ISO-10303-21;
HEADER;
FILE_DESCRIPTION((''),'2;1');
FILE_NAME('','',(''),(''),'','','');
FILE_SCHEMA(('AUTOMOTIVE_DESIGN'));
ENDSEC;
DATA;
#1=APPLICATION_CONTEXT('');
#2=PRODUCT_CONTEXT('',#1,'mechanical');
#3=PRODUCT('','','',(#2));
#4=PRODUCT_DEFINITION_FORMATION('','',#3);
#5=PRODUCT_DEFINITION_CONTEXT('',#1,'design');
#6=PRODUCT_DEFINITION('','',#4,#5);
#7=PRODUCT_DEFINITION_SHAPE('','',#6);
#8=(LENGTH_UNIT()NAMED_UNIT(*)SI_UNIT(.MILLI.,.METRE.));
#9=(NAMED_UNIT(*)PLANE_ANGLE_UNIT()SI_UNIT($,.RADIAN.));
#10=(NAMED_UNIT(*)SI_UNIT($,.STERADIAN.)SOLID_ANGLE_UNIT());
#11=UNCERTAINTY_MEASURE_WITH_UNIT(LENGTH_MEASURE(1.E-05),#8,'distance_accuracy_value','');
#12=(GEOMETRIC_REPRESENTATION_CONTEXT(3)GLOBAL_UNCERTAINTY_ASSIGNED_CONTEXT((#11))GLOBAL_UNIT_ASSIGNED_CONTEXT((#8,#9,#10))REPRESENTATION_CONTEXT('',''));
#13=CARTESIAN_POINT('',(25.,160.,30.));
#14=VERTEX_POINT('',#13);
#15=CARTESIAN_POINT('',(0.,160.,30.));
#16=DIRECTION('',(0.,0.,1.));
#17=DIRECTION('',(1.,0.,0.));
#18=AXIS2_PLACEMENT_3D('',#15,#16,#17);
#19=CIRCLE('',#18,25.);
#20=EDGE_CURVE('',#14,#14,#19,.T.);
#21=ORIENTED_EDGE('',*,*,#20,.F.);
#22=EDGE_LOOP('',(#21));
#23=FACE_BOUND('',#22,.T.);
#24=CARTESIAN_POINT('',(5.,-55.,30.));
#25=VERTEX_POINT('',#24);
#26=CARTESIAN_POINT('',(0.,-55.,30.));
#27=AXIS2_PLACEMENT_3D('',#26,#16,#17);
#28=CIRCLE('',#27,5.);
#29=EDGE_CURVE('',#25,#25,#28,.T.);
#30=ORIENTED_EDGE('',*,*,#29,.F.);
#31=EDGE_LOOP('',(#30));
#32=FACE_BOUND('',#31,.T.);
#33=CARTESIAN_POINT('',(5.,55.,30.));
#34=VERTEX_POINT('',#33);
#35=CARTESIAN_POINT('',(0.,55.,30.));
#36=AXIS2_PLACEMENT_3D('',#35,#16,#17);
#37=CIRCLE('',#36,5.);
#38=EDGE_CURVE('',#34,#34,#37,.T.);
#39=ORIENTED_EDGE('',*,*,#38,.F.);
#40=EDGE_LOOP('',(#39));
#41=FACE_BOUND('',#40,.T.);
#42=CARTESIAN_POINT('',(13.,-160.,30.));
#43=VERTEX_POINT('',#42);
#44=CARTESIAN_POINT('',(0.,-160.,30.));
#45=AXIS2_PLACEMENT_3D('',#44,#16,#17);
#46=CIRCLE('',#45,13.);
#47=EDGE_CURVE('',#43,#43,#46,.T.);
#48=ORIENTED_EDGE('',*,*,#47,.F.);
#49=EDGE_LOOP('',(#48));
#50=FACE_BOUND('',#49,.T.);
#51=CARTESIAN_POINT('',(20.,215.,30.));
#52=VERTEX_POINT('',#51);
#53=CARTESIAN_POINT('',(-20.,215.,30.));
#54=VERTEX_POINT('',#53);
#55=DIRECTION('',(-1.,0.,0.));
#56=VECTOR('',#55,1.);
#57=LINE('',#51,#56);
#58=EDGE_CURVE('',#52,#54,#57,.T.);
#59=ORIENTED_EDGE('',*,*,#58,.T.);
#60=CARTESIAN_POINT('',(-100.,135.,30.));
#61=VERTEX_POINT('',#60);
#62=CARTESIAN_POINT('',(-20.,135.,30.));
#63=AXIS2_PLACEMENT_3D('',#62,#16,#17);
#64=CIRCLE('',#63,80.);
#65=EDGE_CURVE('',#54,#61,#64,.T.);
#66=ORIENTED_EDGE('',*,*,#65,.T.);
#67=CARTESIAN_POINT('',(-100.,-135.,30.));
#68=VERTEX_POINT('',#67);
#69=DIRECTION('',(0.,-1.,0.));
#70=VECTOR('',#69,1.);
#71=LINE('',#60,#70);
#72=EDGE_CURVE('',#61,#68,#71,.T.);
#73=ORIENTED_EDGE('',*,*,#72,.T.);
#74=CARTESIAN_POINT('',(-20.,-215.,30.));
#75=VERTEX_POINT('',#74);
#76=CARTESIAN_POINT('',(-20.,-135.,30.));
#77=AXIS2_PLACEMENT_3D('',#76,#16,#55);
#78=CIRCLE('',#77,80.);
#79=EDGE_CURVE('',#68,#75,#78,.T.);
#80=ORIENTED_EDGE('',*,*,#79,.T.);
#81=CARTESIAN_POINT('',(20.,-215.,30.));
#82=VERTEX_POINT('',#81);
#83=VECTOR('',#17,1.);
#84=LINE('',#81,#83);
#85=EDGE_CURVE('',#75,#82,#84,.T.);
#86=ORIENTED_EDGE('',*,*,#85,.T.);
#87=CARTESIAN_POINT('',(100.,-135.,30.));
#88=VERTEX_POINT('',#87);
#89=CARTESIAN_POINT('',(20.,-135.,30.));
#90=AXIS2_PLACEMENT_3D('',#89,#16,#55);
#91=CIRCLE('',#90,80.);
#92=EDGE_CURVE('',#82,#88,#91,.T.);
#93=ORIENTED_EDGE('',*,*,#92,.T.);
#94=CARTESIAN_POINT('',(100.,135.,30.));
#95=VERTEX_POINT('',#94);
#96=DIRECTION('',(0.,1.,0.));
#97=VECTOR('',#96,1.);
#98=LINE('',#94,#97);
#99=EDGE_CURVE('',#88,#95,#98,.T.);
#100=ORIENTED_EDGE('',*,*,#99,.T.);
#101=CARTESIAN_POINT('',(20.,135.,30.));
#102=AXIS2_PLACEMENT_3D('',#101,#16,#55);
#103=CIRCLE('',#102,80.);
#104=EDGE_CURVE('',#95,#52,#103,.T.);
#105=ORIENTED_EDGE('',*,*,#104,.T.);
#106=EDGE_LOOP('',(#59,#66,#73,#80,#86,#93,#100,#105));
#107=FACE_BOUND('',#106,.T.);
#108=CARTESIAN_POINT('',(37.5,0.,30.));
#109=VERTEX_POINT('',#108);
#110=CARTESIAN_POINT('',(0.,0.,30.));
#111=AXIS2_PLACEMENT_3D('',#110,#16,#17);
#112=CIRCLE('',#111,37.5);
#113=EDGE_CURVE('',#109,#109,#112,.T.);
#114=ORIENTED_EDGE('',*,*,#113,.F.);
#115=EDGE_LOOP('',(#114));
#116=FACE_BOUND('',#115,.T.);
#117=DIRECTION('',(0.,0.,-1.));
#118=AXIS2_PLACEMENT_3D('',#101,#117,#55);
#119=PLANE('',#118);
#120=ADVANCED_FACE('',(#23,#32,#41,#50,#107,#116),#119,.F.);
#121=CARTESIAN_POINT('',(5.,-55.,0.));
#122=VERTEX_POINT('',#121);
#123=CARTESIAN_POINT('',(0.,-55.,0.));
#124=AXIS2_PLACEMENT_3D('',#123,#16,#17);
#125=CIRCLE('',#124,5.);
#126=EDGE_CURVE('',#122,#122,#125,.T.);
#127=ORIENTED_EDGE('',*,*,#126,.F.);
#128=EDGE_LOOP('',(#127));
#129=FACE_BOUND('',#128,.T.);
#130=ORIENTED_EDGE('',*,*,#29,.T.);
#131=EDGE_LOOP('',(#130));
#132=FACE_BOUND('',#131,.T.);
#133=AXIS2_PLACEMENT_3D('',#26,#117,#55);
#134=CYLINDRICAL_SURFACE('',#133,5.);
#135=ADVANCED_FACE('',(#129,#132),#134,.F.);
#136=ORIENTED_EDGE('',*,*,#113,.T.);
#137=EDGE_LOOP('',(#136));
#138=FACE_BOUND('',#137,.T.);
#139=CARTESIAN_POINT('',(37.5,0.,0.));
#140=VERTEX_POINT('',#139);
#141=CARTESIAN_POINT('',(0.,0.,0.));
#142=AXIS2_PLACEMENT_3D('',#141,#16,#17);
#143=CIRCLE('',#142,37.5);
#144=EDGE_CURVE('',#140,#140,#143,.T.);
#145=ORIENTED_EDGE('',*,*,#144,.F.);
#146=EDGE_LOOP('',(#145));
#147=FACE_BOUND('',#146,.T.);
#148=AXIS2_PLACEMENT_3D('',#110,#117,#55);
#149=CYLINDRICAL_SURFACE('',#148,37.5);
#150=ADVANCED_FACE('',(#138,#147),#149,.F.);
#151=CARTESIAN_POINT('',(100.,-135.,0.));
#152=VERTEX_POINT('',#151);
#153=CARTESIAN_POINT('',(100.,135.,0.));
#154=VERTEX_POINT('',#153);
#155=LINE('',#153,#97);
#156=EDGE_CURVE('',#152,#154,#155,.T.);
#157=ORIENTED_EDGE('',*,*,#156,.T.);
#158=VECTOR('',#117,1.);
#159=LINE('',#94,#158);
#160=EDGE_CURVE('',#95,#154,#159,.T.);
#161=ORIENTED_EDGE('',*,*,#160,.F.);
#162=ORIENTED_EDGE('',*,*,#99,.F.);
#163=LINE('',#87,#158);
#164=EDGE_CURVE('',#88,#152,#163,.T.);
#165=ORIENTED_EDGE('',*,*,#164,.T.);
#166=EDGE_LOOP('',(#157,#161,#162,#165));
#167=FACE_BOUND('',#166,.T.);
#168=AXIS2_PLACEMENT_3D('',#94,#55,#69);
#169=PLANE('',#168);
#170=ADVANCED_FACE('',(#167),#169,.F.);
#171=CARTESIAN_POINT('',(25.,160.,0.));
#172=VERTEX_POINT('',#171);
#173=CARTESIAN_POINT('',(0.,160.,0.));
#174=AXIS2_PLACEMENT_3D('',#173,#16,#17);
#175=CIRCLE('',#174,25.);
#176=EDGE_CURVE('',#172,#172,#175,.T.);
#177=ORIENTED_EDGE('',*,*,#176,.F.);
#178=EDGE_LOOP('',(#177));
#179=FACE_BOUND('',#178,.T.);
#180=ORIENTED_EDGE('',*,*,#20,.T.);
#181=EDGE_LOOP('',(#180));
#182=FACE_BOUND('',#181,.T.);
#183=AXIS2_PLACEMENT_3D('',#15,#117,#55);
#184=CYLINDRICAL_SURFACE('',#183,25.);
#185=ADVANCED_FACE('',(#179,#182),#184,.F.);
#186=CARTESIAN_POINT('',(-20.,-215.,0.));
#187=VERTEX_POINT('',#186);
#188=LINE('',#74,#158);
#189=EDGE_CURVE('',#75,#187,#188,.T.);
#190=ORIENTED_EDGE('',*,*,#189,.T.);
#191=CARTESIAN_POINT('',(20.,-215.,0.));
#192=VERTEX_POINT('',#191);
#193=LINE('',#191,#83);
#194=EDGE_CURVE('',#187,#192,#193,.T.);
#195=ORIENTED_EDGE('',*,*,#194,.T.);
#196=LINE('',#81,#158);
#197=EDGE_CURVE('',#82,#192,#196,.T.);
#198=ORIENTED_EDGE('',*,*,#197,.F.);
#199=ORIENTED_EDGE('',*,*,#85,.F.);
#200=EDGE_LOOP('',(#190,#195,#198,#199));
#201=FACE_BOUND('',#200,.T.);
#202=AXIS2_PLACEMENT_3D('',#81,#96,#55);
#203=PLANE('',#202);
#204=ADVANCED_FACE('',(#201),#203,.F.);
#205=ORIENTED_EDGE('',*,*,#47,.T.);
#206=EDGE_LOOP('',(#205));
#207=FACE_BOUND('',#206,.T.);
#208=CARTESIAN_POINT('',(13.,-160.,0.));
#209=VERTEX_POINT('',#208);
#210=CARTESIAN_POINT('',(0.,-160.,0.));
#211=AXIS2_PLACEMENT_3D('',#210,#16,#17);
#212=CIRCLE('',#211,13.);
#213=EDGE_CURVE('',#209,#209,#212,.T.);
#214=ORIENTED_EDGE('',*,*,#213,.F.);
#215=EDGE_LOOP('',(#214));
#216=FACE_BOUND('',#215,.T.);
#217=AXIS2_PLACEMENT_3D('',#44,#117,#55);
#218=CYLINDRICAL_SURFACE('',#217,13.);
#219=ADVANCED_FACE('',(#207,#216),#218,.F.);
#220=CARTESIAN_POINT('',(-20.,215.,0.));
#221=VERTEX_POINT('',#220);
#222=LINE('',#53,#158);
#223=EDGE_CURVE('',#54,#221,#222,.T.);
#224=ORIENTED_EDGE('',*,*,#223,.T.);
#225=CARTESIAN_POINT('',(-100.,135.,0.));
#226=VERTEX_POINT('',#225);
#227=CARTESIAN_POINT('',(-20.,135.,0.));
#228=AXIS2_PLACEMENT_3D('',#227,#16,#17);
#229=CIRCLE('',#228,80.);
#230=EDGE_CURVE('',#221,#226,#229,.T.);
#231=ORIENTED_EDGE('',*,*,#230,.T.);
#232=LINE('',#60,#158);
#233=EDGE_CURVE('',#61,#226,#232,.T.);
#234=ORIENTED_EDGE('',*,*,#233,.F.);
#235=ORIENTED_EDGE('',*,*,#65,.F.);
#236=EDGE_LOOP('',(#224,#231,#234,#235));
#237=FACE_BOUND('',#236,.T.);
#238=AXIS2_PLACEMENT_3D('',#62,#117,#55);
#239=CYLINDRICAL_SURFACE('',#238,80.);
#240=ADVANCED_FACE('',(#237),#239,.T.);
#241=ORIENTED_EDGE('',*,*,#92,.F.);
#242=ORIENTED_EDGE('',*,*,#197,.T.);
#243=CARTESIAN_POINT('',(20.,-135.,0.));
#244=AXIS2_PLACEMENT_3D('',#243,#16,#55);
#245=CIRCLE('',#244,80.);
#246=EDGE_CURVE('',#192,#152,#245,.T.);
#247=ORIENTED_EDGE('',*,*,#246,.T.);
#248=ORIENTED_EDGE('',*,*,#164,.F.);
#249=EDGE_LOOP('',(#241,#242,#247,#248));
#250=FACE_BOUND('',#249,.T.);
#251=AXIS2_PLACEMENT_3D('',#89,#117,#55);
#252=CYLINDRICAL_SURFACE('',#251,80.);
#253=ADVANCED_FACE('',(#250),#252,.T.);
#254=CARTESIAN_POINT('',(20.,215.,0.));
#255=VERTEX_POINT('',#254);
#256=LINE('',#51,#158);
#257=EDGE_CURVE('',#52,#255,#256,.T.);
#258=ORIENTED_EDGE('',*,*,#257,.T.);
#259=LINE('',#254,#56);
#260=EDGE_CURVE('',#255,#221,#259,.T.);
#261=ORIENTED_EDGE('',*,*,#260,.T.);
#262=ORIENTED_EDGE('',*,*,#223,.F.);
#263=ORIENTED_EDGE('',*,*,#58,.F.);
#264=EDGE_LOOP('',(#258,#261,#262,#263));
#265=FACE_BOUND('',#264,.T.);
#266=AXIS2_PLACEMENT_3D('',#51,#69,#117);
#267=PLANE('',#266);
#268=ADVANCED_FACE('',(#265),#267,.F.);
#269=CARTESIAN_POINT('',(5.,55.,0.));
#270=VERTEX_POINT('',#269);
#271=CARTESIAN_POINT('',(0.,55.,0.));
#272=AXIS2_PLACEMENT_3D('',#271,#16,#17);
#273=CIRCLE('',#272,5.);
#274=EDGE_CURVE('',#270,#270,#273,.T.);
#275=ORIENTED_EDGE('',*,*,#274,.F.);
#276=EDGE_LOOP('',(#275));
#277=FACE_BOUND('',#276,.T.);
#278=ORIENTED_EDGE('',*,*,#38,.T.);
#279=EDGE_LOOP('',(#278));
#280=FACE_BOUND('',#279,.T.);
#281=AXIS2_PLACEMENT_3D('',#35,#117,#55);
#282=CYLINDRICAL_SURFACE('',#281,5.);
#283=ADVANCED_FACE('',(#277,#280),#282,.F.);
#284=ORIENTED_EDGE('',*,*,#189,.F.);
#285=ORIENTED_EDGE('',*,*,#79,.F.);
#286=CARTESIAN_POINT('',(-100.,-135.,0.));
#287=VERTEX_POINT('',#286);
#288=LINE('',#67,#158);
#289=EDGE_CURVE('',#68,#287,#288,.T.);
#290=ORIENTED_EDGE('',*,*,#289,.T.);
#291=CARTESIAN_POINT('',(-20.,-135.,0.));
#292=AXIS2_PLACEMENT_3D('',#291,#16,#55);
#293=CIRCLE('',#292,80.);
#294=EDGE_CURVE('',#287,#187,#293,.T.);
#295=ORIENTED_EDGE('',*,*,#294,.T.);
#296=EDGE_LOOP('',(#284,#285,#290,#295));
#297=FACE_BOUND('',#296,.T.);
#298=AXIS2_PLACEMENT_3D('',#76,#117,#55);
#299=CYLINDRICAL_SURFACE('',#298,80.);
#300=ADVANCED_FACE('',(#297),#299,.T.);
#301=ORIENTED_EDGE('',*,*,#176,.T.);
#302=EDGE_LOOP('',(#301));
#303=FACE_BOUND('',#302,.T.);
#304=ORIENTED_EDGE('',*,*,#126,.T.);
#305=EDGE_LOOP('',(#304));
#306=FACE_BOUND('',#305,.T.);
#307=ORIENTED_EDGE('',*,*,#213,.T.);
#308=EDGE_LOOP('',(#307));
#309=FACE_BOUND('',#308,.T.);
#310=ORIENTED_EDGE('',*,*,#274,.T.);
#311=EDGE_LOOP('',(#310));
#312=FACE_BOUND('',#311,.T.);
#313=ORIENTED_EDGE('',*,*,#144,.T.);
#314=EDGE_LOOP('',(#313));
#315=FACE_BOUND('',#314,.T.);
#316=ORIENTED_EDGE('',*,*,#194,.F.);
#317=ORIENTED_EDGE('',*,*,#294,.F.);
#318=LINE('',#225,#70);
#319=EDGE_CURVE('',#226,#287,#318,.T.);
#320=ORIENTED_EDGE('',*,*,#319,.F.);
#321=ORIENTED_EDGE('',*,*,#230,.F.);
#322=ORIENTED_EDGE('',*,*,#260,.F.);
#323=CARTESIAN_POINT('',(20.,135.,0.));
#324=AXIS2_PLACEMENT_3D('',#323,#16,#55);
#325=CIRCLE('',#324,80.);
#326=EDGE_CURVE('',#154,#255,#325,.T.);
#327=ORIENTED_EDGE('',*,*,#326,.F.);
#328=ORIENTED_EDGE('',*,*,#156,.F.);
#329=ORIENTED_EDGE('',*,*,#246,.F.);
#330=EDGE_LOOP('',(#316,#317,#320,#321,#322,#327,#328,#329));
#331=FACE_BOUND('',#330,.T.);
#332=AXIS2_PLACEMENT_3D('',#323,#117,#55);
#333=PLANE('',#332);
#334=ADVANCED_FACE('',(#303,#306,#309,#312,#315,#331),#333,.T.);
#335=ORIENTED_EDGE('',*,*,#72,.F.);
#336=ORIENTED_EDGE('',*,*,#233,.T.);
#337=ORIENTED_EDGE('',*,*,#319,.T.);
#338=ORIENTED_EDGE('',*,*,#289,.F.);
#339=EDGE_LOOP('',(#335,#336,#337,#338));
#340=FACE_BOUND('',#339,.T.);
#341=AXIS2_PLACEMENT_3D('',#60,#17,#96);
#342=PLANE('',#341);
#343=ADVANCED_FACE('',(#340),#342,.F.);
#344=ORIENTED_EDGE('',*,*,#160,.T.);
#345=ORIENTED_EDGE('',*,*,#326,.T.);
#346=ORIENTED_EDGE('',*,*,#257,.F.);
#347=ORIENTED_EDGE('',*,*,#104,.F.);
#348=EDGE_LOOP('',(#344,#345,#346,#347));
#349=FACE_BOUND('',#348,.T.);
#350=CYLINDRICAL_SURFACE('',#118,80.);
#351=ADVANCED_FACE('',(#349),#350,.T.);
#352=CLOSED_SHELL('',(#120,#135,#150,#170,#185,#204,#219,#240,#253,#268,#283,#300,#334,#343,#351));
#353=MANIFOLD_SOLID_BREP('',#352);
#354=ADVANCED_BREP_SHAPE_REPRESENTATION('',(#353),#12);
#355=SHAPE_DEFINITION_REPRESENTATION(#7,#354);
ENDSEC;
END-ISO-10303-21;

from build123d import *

# Parameters (mm, degrees)
SCHIZZO2_R    = 37.5
SCHIZZO2_R_2  = 13
SCHIZZO2_R_3  = 25
SCHIZZO2_R_4  = 5
PIASTRA_DEPTH = 30


with BuildPart() as part:
    # Schizzo2 → Piastra (new body)
    with BuildSketch(Plane.XY):
        with BuildLine():
            Line((20, 215), (-20, 215))
            ThreePointArc((-20, 215), (-76.568542495, 191.568542495), (-100, 135))
            Line((-100, 135), (-100, -135))
            ThreePointArc((-100, -135), (-76.568542495, -191.568542495), (-20, -215))
            Line((-20, -215), (20, -215))
            ThreePointArc((20, -215), (76.568542495, -191.568542495), (100, -135))
            Line((100, -135), (100, 135))
            ThreePointArc((100, 135), (76.568542495, 191.568542495), (20, 215))
        make_face()
        Circle(SCHIZZO2_R, mode=Mode.SUBTRACT)
        with Locations((0, -160)):
            Circle(SCHIZZO2_R_2, mode=Mode.SUBTRACT)
        with Locations((0, 160)):
            Circle(SCHIZZO2_R_3, mode=Mode.SUBTRACT)
        with Locations((0, 55)):
            Circle(SCHIZZO2_R_4, mode=Mode.SUBTRACT)
        with Locations((0, -55)):
            Circle(SCHIZZO2_R_4, mode=Mode.SUBTRACT)
    extrude(amount=PIASTRA_DEPTH)


solid = part.part
